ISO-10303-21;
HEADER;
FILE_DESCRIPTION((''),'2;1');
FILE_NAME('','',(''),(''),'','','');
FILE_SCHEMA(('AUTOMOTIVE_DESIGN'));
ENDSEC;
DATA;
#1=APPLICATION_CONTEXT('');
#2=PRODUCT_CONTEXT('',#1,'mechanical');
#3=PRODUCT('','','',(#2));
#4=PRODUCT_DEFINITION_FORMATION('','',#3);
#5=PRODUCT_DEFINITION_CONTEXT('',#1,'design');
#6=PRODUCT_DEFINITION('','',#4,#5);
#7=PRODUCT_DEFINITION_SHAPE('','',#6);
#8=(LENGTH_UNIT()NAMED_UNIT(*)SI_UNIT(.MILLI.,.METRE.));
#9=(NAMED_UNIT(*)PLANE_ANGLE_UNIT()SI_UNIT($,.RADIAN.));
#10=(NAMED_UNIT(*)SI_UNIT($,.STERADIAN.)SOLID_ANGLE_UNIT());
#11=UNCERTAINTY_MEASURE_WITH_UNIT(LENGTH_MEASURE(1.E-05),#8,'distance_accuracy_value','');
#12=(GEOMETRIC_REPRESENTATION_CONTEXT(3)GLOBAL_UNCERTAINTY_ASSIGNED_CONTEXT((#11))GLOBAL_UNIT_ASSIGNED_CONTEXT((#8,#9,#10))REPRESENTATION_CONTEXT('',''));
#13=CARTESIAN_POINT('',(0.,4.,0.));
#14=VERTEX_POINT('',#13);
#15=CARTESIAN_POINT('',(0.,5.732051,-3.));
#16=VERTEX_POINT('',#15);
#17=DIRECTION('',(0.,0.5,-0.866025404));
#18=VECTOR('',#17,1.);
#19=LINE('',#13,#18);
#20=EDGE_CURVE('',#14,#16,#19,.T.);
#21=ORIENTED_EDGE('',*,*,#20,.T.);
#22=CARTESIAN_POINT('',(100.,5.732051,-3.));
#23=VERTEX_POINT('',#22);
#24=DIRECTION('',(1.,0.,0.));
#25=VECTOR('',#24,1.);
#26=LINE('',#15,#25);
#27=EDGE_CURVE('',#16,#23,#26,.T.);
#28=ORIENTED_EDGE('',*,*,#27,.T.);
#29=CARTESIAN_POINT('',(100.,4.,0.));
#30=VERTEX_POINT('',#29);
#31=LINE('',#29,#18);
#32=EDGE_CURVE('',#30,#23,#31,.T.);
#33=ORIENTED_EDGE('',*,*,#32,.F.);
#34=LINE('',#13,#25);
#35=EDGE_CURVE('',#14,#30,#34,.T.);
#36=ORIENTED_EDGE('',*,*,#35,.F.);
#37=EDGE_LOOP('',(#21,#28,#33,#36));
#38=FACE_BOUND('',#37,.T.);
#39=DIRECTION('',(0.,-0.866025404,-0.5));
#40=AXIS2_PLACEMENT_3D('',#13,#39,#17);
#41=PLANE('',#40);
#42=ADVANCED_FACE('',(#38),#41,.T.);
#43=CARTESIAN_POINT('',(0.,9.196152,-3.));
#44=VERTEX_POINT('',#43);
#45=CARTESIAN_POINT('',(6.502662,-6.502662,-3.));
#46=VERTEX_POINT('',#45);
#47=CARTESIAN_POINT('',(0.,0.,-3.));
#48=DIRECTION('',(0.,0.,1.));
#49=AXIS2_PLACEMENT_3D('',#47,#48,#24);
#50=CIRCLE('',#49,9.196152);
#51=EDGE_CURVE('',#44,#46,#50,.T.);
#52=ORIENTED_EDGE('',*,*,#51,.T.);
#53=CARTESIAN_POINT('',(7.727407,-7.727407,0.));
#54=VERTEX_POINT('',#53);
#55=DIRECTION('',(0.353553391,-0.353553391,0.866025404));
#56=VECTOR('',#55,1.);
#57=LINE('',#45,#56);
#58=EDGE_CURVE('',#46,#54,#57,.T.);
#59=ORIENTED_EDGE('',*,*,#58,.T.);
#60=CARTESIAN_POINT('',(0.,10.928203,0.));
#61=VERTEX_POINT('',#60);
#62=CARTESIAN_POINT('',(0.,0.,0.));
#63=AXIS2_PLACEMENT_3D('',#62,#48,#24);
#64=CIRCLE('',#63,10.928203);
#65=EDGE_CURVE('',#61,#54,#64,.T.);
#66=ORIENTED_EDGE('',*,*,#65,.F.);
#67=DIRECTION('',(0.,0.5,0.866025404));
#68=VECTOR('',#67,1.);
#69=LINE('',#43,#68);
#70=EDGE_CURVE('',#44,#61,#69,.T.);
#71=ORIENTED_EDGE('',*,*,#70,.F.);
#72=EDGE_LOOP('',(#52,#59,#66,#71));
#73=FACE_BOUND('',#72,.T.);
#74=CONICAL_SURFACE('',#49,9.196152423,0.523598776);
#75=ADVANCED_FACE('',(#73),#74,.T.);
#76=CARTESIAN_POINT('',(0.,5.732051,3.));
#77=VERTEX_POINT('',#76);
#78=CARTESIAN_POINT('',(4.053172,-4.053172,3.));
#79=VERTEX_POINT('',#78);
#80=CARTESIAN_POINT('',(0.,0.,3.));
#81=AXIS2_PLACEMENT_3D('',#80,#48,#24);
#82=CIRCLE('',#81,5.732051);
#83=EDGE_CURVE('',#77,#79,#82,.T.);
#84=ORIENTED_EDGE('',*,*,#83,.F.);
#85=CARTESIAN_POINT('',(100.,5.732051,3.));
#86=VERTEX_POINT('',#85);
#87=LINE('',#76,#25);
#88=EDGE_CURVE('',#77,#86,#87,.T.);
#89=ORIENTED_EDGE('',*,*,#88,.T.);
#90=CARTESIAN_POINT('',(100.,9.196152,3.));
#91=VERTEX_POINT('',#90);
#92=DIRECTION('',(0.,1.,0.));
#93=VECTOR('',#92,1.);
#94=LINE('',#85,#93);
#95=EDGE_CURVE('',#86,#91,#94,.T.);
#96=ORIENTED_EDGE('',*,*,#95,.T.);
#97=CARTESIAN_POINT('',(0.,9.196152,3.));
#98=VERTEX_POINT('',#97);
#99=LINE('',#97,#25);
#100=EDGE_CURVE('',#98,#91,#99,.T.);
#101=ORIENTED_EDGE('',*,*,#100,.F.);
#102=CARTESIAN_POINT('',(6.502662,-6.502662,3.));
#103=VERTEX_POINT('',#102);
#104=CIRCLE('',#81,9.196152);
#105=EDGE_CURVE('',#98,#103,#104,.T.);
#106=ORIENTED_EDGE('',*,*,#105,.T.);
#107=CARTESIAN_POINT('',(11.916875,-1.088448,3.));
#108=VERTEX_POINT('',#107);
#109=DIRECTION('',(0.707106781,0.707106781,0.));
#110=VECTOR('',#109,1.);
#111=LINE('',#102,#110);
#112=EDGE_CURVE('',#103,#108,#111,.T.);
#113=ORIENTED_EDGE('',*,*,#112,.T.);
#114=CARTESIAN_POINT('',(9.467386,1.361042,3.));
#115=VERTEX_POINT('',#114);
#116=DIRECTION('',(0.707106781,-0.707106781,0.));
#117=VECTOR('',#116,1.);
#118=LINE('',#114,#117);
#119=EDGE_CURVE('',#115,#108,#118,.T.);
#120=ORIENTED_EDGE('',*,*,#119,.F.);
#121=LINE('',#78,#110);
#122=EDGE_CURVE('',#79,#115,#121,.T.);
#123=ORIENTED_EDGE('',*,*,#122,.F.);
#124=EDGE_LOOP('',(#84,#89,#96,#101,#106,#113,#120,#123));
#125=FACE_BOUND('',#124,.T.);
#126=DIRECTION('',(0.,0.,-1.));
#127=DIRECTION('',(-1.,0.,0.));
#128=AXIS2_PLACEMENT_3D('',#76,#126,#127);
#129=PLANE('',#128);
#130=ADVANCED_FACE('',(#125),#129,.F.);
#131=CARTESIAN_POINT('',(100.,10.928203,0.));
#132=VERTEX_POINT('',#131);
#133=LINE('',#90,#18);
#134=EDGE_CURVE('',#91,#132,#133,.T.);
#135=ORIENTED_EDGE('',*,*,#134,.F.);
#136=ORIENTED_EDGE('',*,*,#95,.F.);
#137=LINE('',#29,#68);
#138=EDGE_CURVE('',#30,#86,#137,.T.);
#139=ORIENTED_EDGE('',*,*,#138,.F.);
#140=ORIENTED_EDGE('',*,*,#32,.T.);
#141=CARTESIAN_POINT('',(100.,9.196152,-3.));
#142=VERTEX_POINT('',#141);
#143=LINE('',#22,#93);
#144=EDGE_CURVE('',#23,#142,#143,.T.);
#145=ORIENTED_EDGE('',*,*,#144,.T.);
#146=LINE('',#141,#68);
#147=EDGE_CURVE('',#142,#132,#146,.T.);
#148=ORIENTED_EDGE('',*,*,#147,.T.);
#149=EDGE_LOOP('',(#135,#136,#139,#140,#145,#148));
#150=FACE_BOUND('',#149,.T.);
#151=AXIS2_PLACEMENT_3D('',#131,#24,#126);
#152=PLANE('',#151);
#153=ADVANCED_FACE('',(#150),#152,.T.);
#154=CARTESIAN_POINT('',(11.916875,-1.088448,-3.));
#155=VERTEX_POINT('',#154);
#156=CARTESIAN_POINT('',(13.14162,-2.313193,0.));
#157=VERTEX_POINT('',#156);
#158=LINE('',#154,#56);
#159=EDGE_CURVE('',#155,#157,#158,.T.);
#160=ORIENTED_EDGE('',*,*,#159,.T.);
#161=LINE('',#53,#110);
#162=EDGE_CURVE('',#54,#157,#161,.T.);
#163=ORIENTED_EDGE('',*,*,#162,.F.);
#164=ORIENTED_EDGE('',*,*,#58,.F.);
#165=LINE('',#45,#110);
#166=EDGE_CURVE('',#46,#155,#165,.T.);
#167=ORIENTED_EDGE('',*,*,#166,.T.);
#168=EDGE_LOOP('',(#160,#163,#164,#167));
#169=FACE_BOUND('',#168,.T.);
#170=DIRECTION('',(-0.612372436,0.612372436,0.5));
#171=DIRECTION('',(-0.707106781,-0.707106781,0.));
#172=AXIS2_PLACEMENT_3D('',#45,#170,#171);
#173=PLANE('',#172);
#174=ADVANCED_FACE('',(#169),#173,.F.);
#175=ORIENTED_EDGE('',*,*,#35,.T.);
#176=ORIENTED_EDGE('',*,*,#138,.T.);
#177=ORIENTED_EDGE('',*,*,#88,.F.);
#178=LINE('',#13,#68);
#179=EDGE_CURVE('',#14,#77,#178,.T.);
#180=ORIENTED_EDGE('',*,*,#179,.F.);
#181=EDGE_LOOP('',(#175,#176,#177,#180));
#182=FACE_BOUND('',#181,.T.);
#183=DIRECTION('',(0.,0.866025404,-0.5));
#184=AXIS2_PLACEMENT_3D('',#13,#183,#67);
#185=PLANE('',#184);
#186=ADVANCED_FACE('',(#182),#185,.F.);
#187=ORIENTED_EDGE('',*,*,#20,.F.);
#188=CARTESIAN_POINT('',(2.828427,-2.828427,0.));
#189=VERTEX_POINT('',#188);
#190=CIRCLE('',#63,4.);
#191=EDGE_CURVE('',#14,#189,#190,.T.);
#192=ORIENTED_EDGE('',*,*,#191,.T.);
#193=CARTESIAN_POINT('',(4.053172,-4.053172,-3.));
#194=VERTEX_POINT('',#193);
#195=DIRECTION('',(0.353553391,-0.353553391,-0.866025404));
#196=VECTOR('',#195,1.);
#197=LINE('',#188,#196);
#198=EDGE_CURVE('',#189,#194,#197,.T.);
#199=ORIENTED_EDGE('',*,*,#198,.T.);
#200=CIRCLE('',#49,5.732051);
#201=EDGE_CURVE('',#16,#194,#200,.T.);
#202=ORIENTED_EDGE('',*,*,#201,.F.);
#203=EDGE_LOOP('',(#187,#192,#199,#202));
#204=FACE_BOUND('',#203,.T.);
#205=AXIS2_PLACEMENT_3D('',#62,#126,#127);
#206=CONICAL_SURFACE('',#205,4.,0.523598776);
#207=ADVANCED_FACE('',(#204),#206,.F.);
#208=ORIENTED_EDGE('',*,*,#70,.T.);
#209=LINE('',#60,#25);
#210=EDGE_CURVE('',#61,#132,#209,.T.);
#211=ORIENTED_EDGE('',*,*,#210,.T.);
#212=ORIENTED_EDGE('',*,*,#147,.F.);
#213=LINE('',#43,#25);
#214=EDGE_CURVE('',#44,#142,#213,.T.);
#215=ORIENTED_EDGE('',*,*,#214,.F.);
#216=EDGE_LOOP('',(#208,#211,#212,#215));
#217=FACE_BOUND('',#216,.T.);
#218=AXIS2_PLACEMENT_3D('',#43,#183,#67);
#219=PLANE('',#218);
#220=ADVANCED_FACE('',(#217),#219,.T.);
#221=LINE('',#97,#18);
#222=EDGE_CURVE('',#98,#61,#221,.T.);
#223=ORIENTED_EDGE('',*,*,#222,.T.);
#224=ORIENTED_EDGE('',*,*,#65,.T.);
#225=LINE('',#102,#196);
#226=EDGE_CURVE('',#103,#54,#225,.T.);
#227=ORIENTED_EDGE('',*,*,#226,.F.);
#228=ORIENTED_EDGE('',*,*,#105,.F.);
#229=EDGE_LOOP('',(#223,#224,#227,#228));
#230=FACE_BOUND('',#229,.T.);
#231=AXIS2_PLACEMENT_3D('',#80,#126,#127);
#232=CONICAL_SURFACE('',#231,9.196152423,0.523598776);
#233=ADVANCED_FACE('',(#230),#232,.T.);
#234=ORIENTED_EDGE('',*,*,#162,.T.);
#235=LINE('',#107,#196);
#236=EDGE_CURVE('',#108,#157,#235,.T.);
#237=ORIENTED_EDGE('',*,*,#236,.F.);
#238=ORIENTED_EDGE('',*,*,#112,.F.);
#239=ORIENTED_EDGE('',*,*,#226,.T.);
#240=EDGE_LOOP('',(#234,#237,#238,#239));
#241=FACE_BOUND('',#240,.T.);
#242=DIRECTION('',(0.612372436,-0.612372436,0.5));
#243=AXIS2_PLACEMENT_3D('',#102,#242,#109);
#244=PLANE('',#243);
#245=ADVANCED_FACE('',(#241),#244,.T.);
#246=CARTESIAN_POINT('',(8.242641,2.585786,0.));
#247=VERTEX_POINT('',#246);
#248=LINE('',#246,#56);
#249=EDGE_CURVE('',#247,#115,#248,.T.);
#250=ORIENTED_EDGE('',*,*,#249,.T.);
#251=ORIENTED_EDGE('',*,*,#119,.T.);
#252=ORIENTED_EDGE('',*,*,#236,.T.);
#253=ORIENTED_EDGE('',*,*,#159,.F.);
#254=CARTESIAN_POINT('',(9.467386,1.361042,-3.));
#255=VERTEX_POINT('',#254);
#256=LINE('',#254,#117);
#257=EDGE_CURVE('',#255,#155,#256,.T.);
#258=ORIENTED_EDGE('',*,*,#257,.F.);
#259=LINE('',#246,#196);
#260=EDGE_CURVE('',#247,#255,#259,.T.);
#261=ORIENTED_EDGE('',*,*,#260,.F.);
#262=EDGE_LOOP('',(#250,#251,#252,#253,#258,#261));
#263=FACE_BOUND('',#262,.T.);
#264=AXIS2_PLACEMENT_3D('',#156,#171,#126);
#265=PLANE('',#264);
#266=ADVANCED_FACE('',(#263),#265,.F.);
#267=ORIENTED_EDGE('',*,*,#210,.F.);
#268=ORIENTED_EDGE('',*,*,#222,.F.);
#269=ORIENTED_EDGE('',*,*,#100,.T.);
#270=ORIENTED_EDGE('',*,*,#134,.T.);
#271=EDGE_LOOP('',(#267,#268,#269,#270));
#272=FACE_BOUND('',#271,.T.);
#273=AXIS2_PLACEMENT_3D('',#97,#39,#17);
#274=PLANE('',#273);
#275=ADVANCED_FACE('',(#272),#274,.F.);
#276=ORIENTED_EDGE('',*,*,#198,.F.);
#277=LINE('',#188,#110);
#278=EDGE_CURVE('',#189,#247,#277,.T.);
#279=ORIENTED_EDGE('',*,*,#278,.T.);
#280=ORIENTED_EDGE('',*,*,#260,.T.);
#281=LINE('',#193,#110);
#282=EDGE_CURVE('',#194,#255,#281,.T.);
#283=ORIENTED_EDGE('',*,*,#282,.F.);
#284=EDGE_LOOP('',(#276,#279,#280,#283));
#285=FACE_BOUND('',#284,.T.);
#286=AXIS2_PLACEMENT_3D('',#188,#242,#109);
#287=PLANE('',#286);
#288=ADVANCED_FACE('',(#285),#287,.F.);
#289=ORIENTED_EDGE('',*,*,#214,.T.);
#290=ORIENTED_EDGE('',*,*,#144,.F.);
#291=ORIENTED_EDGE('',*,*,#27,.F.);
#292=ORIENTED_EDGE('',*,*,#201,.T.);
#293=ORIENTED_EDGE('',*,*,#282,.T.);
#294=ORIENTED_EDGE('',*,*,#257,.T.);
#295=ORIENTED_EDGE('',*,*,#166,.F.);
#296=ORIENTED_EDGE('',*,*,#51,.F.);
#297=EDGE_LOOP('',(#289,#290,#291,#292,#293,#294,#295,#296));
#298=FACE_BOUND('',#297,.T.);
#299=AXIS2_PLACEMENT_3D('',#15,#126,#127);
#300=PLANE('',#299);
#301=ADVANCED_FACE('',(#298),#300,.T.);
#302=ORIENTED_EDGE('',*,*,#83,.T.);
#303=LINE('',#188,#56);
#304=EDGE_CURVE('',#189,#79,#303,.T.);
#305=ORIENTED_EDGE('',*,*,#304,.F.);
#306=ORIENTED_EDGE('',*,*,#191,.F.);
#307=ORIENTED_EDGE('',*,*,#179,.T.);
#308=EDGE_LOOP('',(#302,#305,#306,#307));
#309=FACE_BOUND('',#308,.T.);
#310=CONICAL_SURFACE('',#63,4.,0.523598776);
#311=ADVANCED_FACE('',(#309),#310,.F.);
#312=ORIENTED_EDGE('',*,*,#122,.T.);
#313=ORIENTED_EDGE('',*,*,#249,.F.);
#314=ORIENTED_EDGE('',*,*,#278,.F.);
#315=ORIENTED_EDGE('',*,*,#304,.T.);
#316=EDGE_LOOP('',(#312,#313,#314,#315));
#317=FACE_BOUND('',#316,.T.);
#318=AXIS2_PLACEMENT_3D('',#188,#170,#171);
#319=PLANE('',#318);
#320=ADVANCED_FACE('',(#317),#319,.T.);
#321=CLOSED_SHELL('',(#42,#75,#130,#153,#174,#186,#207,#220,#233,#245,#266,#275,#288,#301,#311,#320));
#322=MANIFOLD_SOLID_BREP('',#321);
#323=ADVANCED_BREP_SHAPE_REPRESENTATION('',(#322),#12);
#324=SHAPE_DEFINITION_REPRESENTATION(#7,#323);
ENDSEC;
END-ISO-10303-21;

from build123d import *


with BuildPart() as part:
    # Base-Sweep: sweep along a path in Sketch1
    with BuildLine(Plane.XY) as base_sweep_path:
        Line((100, 4), (0, 4))
        ThreePointArc((0, 4), (-3.69551813, -1.530733729), (2.828427125, -2.828427125))
        Line((2.828427125, -2.828427125), (8.242640687, 2.585786438))
    # Sketch2 → Base-Sweep (sweep)
    with BuildSketch(Plane(origin=(100, 4, 0), x_dir=(0, 0, 1), z_dir=(-1, 0, 0))):
        Polygon((-3, 5.196152423), (0, 6.92820323), (3, 5.196152423), (3, 1.732050808), (0, 0), (-3, 1.732050808), align=None)
    sweep(path=base_sweep_path.line)


solid = part.part
